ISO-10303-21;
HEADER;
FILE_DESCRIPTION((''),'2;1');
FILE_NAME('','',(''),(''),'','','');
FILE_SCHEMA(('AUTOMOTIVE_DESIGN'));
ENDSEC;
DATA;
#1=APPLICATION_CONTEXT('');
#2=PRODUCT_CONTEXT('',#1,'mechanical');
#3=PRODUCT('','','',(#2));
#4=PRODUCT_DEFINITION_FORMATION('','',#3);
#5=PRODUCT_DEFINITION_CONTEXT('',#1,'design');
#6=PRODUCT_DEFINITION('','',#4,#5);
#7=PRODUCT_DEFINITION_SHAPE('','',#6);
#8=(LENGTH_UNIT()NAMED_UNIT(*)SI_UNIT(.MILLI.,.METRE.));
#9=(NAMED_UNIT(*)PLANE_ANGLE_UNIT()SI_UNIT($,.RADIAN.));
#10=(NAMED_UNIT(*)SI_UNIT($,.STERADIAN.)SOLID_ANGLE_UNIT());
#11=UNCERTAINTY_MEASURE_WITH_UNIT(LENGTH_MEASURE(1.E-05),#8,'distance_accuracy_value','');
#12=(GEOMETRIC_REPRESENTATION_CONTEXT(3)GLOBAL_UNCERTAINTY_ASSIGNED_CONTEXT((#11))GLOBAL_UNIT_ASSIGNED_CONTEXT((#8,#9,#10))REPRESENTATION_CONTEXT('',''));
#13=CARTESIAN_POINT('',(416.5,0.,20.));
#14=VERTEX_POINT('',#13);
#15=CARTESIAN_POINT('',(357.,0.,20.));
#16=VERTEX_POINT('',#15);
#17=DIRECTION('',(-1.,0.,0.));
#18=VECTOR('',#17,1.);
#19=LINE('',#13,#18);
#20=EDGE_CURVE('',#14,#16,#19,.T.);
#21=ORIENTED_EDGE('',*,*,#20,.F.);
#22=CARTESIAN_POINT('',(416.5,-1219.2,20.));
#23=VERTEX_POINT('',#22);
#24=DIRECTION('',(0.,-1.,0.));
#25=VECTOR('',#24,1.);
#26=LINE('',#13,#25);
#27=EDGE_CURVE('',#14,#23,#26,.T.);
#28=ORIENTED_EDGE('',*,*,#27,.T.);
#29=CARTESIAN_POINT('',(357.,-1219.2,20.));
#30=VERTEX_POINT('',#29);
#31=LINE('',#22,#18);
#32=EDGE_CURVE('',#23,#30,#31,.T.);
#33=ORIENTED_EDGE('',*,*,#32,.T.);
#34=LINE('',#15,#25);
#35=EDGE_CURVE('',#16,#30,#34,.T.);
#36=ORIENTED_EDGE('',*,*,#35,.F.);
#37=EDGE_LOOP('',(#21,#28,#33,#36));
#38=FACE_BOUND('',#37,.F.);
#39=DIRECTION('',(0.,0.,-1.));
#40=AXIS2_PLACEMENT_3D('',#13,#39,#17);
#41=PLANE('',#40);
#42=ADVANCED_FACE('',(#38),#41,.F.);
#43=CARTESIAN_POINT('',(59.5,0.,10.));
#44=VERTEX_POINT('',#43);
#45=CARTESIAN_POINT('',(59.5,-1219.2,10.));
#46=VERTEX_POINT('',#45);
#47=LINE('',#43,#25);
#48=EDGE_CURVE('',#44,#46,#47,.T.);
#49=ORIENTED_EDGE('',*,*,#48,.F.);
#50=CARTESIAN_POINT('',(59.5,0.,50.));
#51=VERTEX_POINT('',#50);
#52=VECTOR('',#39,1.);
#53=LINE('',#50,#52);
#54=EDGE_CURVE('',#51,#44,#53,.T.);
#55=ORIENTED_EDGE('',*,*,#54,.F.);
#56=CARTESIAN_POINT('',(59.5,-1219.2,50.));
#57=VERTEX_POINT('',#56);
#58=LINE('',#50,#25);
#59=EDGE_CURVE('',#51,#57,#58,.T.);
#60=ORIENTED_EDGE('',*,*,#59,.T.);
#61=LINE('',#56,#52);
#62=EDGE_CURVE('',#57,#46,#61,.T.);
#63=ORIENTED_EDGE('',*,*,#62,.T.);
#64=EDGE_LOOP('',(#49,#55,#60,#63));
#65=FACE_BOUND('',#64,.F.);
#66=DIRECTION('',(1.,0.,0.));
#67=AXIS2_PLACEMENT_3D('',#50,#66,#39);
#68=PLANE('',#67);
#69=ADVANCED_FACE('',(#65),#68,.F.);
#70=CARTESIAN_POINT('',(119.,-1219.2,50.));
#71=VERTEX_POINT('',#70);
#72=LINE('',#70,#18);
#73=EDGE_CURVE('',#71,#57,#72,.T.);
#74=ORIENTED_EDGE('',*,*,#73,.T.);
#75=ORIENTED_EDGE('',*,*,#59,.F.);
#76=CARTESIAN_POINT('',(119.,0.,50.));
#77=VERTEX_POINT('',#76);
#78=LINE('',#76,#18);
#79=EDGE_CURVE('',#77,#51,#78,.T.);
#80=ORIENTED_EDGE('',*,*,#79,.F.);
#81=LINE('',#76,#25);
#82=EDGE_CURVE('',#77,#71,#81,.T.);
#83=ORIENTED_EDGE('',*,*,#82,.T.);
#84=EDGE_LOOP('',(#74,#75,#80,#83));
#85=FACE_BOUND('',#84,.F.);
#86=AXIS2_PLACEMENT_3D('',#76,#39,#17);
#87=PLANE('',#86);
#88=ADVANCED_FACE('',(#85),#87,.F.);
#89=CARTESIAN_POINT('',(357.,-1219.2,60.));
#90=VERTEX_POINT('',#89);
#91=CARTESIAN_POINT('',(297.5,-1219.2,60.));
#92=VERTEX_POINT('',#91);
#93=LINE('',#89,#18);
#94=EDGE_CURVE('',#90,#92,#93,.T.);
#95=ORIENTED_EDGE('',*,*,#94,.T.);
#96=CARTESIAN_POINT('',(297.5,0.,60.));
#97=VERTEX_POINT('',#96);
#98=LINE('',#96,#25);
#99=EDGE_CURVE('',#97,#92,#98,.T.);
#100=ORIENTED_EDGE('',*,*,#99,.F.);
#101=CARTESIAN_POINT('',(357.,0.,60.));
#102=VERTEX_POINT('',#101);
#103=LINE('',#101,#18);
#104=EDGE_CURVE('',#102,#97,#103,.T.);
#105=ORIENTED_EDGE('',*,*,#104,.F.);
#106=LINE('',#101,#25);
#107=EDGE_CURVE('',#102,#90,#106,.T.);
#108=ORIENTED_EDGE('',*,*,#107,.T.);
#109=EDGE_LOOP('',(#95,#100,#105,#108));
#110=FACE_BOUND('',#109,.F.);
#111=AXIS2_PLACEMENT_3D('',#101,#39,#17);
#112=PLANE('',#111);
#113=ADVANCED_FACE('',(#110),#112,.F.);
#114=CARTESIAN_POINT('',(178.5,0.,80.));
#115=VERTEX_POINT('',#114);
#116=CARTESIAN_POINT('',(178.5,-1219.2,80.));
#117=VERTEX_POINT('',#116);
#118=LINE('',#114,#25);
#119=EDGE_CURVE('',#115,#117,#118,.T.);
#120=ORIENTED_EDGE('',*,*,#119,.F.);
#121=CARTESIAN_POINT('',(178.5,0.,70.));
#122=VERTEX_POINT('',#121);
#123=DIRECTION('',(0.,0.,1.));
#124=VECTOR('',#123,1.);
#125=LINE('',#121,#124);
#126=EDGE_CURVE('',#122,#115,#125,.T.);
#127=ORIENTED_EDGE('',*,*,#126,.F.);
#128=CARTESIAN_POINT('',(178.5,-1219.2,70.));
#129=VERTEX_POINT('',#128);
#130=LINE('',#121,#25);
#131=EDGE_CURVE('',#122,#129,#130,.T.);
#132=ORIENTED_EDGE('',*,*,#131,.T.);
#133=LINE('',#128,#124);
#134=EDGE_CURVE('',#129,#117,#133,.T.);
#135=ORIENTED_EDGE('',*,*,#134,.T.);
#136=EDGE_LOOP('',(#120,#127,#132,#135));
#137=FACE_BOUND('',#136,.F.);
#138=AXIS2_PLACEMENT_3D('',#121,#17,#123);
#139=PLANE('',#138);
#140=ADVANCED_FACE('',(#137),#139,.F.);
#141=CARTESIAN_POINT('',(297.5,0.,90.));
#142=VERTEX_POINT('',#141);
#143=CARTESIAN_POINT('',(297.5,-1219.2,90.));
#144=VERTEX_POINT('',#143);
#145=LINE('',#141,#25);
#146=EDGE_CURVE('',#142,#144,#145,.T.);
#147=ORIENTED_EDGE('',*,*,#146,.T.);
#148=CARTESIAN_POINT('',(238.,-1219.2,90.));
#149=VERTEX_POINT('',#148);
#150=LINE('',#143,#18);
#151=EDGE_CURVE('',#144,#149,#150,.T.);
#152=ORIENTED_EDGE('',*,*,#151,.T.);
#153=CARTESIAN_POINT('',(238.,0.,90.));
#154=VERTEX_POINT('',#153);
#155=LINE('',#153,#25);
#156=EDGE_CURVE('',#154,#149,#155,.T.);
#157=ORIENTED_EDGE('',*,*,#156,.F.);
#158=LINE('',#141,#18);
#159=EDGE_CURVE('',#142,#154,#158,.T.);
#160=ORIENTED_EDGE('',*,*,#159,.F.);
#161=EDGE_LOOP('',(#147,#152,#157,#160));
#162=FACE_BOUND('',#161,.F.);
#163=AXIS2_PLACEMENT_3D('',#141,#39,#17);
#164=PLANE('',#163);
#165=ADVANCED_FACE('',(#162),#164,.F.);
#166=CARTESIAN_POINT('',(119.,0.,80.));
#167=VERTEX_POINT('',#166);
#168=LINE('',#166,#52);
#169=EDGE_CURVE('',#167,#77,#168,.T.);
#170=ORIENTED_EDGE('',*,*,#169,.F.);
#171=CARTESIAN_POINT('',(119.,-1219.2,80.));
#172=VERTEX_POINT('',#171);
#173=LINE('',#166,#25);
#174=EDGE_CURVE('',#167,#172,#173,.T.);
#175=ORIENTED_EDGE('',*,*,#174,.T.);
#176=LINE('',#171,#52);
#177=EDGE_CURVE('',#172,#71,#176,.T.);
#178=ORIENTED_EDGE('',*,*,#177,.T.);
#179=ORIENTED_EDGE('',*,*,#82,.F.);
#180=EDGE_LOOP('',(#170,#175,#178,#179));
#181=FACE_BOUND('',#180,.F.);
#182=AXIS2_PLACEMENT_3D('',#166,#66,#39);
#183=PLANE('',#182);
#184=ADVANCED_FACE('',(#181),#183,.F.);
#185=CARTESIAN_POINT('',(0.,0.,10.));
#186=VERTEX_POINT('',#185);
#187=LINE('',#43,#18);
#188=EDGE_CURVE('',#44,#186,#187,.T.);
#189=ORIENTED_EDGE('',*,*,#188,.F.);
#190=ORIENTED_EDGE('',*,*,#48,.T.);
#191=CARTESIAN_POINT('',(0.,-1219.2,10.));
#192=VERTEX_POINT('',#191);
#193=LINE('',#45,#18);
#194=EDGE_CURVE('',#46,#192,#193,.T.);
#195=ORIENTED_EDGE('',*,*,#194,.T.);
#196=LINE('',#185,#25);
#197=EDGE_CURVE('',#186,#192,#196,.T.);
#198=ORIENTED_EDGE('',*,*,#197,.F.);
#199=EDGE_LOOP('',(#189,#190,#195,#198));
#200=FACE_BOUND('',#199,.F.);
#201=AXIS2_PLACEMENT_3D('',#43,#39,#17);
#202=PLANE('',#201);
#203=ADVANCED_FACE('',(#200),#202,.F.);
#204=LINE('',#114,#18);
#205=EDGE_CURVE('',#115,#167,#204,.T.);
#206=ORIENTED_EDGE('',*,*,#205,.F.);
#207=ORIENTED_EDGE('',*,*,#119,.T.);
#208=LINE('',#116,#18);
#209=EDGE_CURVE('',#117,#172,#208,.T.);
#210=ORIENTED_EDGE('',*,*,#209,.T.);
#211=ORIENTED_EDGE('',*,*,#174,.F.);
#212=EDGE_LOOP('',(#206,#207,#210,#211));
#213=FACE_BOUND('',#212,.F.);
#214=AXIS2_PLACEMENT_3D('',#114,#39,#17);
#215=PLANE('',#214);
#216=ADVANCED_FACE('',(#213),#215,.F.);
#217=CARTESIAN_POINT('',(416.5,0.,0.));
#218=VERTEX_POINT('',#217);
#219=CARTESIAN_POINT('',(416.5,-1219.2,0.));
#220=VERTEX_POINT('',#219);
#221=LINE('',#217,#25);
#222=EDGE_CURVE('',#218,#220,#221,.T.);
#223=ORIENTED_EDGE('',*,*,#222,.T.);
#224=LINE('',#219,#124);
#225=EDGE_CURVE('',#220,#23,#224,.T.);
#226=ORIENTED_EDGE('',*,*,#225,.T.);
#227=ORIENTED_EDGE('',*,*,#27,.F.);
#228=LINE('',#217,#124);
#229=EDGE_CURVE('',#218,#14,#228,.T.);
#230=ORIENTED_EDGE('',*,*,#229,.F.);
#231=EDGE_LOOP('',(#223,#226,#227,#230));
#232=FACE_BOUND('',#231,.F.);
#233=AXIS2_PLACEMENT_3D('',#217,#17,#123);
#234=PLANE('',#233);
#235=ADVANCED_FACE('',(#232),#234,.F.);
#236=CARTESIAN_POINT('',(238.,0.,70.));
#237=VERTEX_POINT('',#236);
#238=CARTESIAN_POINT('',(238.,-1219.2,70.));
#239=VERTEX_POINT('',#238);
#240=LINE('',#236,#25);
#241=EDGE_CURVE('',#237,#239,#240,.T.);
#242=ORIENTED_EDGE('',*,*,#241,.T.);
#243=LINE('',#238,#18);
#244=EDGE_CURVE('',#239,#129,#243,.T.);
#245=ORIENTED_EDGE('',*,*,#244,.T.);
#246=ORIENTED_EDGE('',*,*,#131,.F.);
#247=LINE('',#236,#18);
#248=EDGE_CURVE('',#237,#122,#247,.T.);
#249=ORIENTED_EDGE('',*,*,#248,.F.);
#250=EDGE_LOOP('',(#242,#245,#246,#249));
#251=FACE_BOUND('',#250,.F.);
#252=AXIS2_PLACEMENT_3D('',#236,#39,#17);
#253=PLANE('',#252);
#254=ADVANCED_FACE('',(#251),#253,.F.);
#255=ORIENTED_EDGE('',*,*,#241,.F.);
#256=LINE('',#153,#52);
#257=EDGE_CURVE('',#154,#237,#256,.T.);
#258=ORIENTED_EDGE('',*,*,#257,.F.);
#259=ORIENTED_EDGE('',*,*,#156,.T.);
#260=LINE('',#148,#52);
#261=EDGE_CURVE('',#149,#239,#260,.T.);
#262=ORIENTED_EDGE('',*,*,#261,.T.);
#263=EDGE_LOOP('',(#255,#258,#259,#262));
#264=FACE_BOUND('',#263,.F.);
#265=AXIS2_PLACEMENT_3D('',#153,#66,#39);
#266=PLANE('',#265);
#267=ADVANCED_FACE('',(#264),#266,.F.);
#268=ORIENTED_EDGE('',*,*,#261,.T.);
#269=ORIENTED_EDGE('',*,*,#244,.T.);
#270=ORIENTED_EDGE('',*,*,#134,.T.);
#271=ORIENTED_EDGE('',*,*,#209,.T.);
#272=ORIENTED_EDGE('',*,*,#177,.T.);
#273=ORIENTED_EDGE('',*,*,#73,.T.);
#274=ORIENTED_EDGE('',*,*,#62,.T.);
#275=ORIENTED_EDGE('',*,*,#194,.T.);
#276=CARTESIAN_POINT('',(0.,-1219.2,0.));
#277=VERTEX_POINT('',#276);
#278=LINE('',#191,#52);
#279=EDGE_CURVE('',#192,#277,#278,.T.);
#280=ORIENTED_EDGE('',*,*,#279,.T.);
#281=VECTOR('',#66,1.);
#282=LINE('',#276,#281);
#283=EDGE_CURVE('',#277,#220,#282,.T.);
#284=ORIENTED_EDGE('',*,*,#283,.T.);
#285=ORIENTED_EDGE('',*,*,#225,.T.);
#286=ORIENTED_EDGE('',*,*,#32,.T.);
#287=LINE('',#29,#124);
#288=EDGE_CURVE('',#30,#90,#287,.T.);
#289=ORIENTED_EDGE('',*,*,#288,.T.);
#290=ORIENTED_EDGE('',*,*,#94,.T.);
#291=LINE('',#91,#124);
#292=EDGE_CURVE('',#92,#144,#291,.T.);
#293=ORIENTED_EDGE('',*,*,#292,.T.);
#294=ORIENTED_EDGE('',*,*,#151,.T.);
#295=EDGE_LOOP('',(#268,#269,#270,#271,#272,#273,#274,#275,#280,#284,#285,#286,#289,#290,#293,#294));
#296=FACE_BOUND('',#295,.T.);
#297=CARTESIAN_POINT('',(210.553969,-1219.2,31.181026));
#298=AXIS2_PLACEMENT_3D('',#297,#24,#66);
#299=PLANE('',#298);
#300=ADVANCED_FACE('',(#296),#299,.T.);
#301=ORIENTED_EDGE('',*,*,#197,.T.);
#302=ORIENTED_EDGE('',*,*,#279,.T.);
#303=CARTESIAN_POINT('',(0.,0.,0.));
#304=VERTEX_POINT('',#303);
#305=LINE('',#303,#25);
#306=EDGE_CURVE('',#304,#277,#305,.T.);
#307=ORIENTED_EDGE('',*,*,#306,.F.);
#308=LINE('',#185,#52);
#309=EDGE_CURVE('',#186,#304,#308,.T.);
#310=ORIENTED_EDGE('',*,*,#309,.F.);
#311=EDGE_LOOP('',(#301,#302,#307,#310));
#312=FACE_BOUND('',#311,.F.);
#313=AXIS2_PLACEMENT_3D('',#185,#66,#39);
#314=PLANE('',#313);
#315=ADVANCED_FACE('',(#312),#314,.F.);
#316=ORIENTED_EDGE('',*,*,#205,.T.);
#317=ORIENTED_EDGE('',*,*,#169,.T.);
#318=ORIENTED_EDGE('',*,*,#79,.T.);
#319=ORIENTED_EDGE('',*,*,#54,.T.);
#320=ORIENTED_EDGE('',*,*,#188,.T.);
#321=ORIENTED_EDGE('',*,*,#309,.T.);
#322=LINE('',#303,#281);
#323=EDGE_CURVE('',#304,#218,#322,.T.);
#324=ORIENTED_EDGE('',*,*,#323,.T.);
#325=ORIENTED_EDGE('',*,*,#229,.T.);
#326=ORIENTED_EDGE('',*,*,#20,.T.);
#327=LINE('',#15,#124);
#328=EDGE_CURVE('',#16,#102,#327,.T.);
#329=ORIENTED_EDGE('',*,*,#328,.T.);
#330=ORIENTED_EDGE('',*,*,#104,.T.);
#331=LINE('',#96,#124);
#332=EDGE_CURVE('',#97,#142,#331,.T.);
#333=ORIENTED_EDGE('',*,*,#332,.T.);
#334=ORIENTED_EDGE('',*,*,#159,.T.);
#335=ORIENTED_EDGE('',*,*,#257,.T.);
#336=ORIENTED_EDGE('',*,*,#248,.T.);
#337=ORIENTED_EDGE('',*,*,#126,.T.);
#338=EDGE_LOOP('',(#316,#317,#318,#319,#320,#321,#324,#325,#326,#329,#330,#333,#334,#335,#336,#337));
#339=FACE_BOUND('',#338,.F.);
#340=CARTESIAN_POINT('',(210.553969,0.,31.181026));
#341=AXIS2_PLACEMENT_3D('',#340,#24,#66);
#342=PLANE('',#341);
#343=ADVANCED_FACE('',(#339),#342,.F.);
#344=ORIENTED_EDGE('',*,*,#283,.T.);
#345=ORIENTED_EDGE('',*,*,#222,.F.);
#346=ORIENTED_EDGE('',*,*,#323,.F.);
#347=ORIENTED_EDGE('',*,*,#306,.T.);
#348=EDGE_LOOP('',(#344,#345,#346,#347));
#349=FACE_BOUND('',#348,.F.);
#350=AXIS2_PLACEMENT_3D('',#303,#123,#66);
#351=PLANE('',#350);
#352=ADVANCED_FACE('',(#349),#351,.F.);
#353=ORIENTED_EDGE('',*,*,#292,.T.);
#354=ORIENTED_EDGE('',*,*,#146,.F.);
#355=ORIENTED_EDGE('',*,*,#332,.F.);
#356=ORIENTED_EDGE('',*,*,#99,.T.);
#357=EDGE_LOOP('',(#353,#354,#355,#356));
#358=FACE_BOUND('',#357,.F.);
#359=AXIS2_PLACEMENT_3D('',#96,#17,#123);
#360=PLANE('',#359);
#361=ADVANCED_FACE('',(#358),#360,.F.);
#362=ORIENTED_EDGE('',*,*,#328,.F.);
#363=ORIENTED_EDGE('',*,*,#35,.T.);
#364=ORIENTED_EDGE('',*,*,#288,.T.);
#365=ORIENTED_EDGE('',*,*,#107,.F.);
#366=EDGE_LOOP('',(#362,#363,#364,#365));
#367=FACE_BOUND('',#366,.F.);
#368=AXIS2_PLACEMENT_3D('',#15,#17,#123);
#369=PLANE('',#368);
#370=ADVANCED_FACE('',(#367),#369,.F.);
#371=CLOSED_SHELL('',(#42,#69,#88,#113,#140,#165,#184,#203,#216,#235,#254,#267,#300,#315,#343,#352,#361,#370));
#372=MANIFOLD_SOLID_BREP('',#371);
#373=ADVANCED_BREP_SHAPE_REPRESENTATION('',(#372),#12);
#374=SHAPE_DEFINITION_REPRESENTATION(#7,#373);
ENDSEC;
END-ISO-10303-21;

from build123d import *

# Parameters (mm, degrees)
F1_DEPTH = 1219.2


with BuildPart() as f1:
    # F0 (on Front) → F1 (new body)
    with BuildSketch(Plane.XZ):
        Polygon((0, 10), (0, 0), (416.5, 0), (416.5, 10), (416.5, 20), (357, 20), (357, 60), (297.5, 60), (297.5, 90), (238, 90), (238, 70), (178.5, 70), (178.5, 80), (119, 80), (119, 50), (59.5, 50), (59.5, 10), align=None)
    extrude(amount=F1_DEPTH)


solid = f1.part
